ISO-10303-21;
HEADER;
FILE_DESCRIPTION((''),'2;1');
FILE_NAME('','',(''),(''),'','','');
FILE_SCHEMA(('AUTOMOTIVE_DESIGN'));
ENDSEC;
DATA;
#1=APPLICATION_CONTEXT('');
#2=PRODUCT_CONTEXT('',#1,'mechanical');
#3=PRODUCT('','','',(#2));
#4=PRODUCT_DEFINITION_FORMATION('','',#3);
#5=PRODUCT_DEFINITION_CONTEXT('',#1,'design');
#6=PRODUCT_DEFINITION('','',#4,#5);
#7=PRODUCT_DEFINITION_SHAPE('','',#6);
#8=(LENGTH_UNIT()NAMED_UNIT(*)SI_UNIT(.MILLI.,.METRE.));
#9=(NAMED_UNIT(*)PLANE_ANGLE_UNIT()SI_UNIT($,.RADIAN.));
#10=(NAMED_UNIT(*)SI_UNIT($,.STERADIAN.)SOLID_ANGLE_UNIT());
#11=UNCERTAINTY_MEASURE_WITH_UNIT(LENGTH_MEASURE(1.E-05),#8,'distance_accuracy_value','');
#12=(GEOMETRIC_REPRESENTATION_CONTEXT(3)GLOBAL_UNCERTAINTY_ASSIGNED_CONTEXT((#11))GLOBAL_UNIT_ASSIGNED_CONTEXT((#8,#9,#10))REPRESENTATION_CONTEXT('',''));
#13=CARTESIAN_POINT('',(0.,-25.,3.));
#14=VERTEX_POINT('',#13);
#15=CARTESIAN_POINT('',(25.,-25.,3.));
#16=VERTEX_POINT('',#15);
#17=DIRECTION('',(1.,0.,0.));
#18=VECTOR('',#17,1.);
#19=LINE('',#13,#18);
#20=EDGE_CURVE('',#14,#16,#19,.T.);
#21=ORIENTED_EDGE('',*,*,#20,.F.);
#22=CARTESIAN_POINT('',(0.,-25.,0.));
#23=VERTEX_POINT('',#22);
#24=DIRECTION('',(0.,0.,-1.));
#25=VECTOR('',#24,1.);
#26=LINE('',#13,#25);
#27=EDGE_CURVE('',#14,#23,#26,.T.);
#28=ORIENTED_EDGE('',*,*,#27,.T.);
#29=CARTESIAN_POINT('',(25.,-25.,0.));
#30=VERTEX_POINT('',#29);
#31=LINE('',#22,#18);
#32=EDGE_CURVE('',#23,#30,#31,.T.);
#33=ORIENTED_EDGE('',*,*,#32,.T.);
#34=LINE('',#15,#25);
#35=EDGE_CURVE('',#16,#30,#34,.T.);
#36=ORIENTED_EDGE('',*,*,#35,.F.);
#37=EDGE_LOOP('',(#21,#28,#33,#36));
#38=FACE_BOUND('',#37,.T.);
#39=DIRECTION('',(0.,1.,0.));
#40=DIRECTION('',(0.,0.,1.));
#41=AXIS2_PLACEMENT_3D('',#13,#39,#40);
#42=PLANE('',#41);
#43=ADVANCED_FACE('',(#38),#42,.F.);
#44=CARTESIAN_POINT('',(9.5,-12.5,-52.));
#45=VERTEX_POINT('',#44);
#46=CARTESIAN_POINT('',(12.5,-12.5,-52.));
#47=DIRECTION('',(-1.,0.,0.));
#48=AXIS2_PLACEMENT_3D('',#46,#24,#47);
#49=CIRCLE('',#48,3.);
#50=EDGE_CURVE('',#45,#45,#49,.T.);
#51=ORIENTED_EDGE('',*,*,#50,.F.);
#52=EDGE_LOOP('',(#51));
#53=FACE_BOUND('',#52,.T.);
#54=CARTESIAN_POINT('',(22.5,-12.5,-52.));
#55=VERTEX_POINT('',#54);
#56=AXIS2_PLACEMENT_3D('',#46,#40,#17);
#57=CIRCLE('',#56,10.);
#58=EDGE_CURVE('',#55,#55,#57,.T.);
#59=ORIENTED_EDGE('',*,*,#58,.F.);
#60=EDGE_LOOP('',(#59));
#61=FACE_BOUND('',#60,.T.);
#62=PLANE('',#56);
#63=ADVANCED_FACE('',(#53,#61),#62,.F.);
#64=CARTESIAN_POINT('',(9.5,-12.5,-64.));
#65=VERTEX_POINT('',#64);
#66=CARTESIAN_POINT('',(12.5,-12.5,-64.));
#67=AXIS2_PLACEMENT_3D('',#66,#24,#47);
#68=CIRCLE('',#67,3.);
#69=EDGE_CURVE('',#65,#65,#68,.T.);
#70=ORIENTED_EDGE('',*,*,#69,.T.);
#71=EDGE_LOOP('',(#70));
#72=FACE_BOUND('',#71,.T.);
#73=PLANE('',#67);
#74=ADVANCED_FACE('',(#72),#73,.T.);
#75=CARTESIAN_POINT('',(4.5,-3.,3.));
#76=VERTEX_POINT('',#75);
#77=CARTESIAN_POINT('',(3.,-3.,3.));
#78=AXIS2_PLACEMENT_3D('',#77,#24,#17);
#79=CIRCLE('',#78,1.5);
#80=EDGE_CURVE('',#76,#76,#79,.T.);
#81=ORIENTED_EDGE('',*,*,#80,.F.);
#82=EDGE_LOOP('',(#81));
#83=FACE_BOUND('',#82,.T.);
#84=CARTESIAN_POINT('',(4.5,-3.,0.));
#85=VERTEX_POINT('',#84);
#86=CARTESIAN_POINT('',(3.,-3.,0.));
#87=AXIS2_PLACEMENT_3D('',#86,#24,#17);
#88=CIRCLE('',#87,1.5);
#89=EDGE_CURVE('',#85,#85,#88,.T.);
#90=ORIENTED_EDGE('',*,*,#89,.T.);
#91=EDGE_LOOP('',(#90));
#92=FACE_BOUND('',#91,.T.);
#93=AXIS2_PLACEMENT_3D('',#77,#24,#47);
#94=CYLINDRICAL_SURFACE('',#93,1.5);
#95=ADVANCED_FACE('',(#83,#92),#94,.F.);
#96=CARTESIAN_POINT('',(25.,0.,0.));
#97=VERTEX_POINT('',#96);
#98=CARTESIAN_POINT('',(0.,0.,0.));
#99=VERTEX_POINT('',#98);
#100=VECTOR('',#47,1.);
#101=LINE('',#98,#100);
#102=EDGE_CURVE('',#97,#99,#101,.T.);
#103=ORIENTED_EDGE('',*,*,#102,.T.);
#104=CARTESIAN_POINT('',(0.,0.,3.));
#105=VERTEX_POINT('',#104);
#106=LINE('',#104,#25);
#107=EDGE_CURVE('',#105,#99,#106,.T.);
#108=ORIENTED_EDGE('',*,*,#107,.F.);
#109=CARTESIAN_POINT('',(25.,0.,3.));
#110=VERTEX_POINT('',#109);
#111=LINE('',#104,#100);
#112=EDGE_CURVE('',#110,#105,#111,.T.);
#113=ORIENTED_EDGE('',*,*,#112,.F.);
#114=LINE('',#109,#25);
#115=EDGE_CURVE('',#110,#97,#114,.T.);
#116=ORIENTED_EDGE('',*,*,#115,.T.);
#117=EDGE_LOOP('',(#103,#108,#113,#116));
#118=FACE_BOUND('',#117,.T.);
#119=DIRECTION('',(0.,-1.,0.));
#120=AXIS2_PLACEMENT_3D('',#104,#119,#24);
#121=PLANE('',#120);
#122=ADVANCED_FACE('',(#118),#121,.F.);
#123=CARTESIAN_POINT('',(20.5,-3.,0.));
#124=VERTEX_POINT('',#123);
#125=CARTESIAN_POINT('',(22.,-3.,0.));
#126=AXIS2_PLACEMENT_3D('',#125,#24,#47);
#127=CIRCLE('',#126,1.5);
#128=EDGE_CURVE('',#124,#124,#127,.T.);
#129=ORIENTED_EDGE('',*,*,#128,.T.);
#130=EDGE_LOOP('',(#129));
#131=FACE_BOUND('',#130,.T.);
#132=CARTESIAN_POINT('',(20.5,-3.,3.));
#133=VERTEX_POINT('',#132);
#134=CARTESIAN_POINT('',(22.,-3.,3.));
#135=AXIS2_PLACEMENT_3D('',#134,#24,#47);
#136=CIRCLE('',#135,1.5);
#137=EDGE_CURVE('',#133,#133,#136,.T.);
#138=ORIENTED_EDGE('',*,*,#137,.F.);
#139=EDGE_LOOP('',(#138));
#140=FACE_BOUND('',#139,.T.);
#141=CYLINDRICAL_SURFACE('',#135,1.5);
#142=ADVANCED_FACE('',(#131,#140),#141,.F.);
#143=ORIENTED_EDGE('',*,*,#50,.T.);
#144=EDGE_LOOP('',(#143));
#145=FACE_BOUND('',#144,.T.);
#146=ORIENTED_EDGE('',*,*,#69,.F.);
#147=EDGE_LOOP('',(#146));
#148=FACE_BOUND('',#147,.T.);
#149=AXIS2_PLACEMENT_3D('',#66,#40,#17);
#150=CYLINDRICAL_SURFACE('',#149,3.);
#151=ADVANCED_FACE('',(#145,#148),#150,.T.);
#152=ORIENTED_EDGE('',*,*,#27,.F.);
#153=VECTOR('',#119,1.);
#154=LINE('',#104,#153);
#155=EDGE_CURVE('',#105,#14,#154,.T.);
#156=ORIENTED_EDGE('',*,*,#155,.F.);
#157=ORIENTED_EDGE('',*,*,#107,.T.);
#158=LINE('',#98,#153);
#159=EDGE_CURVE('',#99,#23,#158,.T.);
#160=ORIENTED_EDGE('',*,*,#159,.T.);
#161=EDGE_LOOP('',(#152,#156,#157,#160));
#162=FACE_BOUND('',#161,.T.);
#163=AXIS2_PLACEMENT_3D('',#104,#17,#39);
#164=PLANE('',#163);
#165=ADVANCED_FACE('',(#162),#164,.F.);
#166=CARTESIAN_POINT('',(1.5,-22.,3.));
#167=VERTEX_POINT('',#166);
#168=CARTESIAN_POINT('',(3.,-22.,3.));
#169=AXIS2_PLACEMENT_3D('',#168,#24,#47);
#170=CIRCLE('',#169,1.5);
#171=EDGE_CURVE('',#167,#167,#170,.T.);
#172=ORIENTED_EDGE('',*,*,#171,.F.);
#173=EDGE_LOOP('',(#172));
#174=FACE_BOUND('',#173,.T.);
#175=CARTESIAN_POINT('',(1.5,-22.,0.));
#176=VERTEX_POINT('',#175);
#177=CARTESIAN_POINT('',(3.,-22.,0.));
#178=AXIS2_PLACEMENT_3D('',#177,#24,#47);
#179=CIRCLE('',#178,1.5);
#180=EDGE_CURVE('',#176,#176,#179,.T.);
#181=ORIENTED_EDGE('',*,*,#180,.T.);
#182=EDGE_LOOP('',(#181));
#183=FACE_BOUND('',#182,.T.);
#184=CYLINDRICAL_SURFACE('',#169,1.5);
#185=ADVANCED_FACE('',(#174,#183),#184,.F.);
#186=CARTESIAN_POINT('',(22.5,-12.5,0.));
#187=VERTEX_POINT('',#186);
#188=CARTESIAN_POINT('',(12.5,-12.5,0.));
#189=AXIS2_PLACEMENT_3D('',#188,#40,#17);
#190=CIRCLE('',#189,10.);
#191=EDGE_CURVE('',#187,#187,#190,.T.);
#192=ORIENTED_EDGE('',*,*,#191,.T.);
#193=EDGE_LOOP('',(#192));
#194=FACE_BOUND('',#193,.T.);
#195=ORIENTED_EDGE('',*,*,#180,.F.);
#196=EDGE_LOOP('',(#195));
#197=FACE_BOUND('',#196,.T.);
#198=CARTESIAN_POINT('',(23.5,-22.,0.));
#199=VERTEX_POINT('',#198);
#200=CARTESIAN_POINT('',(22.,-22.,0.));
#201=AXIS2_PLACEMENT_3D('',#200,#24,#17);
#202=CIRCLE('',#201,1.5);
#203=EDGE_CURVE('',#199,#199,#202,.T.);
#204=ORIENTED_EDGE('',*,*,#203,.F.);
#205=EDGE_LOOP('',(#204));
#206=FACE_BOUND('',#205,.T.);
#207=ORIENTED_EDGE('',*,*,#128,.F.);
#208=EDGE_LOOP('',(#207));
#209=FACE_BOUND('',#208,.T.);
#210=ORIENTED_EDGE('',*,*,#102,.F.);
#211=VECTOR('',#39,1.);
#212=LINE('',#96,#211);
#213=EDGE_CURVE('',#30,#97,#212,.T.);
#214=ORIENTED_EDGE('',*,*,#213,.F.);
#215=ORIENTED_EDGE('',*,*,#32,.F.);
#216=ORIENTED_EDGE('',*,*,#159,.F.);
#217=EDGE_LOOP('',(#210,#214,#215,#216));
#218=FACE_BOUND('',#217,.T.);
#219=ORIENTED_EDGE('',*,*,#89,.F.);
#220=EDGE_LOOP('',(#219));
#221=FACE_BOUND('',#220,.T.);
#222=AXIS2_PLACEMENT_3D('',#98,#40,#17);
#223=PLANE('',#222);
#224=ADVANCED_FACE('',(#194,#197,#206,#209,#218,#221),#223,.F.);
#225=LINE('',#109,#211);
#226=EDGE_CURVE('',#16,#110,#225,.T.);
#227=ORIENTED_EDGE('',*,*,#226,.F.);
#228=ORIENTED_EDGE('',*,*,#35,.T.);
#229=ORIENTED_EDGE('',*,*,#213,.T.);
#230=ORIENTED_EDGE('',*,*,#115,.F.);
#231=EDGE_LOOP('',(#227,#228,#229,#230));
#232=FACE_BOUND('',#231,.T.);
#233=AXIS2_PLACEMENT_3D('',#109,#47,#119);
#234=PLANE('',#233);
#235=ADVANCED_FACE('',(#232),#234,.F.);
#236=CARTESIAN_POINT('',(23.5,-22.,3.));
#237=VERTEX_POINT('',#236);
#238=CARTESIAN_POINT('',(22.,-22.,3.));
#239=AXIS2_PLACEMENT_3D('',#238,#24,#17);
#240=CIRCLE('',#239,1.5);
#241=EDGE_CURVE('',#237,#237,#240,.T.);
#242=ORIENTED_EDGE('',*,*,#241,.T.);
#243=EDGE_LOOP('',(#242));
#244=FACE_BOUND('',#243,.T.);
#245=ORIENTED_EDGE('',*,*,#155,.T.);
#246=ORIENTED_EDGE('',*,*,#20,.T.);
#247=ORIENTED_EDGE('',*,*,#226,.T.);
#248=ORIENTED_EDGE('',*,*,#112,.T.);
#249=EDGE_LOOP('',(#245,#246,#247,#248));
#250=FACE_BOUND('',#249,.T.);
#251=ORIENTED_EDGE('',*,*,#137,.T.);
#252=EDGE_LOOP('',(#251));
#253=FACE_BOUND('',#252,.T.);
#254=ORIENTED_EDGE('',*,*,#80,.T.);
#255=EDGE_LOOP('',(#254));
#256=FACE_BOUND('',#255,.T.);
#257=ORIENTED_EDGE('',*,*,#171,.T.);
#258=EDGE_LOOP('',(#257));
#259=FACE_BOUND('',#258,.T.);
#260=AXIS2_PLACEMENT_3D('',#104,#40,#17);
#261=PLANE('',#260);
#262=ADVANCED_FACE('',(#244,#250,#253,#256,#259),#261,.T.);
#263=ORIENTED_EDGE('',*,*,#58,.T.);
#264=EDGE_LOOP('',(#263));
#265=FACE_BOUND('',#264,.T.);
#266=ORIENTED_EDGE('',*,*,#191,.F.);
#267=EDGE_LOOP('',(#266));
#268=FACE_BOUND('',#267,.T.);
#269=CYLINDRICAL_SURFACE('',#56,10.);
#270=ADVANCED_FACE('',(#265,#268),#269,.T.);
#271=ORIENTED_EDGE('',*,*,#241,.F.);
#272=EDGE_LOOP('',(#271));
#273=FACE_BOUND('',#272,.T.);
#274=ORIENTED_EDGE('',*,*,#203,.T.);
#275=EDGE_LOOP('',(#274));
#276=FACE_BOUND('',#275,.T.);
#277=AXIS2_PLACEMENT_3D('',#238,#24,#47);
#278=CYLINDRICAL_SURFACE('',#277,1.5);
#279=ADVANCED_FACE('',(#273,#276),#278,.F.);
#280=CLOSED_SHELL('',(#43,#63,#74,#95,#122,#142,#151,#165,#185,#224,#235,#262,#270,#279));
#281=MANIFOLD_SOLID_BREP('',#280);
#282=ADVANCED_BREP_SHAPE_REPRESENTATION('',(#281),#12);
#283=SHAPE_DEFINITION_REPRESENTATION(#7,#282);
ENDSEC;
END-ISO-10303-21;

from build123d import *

# Parameters (mm, degrees)
SKETCH_2_W          = 25
SKETCH_2_H          = 25
EXTRUDE_1_DEPTH     = 3
SKETCH_3_R          = 1.5
CUT_EXTRUDE_2_DEPTH = 4
EXTRUDE_START       = -3
SKETCH_4_R          = 10
EXTRUDE_2_DEPTH     = 52
SKETCH_5_R          = 3
EXTRUDE_3_DEPTH     = 12


with BuildPart() as part:
    # 草图2 → 凸台-拉伸1 (new body)
    with BuildSketch(Plane.XY):
        with Locations((12.5, -12.5)):
            Rectangle(SKETCH_2_W, SKETCH_2_H)
    extrude(amount=EXTRUDE_1_DEPTH)

    # 草图3 → 切除-拉伸2 (cut, through all)
    with BuildSketch(Plane(origin=(0, 0, 0), x_dir=(-1, 0, 0), z_dir=(0, 0, -1))):
        with Locations((-22, -3)):
            Circle(SKETCH_3_R)
        with Locations((-3, -3)):
            Circle(SKETCH_3_R)
        with Locations((-3, -22)):
            Circle(SKETCH_3_R)
        with Locations((-22, -22)):
            Circle(SKETCH_3_R)
    extrude(amount=-CUT_EXTRUDE_2_DEPTH, mode=Mode.SUBTRACT)

    # 草图4 → 凸台-拉伸2 (add)
    with BuildSketch(Plane.XY.offset(3).offset(EXTRUDE_START)):
        with Locations((12.5, -12.5)):
            Circle(SKETCH_4_R)
    extrude(amount=-EXTRUDE_2_DEPTH)

    # 草图5 → 凸台-拉伸3 (add)
    with BuildSketch(Plane(origin=(0, 0, -52), x_dir=(-1, 0, 0), z_dir=(0, 0, -1))):
        with Locations((-12.5, -12.5)):
            Circle(SKETCH_5_R)
    extrude(amount=EXTRUDE_3_DEPTH)


solid = part.part
